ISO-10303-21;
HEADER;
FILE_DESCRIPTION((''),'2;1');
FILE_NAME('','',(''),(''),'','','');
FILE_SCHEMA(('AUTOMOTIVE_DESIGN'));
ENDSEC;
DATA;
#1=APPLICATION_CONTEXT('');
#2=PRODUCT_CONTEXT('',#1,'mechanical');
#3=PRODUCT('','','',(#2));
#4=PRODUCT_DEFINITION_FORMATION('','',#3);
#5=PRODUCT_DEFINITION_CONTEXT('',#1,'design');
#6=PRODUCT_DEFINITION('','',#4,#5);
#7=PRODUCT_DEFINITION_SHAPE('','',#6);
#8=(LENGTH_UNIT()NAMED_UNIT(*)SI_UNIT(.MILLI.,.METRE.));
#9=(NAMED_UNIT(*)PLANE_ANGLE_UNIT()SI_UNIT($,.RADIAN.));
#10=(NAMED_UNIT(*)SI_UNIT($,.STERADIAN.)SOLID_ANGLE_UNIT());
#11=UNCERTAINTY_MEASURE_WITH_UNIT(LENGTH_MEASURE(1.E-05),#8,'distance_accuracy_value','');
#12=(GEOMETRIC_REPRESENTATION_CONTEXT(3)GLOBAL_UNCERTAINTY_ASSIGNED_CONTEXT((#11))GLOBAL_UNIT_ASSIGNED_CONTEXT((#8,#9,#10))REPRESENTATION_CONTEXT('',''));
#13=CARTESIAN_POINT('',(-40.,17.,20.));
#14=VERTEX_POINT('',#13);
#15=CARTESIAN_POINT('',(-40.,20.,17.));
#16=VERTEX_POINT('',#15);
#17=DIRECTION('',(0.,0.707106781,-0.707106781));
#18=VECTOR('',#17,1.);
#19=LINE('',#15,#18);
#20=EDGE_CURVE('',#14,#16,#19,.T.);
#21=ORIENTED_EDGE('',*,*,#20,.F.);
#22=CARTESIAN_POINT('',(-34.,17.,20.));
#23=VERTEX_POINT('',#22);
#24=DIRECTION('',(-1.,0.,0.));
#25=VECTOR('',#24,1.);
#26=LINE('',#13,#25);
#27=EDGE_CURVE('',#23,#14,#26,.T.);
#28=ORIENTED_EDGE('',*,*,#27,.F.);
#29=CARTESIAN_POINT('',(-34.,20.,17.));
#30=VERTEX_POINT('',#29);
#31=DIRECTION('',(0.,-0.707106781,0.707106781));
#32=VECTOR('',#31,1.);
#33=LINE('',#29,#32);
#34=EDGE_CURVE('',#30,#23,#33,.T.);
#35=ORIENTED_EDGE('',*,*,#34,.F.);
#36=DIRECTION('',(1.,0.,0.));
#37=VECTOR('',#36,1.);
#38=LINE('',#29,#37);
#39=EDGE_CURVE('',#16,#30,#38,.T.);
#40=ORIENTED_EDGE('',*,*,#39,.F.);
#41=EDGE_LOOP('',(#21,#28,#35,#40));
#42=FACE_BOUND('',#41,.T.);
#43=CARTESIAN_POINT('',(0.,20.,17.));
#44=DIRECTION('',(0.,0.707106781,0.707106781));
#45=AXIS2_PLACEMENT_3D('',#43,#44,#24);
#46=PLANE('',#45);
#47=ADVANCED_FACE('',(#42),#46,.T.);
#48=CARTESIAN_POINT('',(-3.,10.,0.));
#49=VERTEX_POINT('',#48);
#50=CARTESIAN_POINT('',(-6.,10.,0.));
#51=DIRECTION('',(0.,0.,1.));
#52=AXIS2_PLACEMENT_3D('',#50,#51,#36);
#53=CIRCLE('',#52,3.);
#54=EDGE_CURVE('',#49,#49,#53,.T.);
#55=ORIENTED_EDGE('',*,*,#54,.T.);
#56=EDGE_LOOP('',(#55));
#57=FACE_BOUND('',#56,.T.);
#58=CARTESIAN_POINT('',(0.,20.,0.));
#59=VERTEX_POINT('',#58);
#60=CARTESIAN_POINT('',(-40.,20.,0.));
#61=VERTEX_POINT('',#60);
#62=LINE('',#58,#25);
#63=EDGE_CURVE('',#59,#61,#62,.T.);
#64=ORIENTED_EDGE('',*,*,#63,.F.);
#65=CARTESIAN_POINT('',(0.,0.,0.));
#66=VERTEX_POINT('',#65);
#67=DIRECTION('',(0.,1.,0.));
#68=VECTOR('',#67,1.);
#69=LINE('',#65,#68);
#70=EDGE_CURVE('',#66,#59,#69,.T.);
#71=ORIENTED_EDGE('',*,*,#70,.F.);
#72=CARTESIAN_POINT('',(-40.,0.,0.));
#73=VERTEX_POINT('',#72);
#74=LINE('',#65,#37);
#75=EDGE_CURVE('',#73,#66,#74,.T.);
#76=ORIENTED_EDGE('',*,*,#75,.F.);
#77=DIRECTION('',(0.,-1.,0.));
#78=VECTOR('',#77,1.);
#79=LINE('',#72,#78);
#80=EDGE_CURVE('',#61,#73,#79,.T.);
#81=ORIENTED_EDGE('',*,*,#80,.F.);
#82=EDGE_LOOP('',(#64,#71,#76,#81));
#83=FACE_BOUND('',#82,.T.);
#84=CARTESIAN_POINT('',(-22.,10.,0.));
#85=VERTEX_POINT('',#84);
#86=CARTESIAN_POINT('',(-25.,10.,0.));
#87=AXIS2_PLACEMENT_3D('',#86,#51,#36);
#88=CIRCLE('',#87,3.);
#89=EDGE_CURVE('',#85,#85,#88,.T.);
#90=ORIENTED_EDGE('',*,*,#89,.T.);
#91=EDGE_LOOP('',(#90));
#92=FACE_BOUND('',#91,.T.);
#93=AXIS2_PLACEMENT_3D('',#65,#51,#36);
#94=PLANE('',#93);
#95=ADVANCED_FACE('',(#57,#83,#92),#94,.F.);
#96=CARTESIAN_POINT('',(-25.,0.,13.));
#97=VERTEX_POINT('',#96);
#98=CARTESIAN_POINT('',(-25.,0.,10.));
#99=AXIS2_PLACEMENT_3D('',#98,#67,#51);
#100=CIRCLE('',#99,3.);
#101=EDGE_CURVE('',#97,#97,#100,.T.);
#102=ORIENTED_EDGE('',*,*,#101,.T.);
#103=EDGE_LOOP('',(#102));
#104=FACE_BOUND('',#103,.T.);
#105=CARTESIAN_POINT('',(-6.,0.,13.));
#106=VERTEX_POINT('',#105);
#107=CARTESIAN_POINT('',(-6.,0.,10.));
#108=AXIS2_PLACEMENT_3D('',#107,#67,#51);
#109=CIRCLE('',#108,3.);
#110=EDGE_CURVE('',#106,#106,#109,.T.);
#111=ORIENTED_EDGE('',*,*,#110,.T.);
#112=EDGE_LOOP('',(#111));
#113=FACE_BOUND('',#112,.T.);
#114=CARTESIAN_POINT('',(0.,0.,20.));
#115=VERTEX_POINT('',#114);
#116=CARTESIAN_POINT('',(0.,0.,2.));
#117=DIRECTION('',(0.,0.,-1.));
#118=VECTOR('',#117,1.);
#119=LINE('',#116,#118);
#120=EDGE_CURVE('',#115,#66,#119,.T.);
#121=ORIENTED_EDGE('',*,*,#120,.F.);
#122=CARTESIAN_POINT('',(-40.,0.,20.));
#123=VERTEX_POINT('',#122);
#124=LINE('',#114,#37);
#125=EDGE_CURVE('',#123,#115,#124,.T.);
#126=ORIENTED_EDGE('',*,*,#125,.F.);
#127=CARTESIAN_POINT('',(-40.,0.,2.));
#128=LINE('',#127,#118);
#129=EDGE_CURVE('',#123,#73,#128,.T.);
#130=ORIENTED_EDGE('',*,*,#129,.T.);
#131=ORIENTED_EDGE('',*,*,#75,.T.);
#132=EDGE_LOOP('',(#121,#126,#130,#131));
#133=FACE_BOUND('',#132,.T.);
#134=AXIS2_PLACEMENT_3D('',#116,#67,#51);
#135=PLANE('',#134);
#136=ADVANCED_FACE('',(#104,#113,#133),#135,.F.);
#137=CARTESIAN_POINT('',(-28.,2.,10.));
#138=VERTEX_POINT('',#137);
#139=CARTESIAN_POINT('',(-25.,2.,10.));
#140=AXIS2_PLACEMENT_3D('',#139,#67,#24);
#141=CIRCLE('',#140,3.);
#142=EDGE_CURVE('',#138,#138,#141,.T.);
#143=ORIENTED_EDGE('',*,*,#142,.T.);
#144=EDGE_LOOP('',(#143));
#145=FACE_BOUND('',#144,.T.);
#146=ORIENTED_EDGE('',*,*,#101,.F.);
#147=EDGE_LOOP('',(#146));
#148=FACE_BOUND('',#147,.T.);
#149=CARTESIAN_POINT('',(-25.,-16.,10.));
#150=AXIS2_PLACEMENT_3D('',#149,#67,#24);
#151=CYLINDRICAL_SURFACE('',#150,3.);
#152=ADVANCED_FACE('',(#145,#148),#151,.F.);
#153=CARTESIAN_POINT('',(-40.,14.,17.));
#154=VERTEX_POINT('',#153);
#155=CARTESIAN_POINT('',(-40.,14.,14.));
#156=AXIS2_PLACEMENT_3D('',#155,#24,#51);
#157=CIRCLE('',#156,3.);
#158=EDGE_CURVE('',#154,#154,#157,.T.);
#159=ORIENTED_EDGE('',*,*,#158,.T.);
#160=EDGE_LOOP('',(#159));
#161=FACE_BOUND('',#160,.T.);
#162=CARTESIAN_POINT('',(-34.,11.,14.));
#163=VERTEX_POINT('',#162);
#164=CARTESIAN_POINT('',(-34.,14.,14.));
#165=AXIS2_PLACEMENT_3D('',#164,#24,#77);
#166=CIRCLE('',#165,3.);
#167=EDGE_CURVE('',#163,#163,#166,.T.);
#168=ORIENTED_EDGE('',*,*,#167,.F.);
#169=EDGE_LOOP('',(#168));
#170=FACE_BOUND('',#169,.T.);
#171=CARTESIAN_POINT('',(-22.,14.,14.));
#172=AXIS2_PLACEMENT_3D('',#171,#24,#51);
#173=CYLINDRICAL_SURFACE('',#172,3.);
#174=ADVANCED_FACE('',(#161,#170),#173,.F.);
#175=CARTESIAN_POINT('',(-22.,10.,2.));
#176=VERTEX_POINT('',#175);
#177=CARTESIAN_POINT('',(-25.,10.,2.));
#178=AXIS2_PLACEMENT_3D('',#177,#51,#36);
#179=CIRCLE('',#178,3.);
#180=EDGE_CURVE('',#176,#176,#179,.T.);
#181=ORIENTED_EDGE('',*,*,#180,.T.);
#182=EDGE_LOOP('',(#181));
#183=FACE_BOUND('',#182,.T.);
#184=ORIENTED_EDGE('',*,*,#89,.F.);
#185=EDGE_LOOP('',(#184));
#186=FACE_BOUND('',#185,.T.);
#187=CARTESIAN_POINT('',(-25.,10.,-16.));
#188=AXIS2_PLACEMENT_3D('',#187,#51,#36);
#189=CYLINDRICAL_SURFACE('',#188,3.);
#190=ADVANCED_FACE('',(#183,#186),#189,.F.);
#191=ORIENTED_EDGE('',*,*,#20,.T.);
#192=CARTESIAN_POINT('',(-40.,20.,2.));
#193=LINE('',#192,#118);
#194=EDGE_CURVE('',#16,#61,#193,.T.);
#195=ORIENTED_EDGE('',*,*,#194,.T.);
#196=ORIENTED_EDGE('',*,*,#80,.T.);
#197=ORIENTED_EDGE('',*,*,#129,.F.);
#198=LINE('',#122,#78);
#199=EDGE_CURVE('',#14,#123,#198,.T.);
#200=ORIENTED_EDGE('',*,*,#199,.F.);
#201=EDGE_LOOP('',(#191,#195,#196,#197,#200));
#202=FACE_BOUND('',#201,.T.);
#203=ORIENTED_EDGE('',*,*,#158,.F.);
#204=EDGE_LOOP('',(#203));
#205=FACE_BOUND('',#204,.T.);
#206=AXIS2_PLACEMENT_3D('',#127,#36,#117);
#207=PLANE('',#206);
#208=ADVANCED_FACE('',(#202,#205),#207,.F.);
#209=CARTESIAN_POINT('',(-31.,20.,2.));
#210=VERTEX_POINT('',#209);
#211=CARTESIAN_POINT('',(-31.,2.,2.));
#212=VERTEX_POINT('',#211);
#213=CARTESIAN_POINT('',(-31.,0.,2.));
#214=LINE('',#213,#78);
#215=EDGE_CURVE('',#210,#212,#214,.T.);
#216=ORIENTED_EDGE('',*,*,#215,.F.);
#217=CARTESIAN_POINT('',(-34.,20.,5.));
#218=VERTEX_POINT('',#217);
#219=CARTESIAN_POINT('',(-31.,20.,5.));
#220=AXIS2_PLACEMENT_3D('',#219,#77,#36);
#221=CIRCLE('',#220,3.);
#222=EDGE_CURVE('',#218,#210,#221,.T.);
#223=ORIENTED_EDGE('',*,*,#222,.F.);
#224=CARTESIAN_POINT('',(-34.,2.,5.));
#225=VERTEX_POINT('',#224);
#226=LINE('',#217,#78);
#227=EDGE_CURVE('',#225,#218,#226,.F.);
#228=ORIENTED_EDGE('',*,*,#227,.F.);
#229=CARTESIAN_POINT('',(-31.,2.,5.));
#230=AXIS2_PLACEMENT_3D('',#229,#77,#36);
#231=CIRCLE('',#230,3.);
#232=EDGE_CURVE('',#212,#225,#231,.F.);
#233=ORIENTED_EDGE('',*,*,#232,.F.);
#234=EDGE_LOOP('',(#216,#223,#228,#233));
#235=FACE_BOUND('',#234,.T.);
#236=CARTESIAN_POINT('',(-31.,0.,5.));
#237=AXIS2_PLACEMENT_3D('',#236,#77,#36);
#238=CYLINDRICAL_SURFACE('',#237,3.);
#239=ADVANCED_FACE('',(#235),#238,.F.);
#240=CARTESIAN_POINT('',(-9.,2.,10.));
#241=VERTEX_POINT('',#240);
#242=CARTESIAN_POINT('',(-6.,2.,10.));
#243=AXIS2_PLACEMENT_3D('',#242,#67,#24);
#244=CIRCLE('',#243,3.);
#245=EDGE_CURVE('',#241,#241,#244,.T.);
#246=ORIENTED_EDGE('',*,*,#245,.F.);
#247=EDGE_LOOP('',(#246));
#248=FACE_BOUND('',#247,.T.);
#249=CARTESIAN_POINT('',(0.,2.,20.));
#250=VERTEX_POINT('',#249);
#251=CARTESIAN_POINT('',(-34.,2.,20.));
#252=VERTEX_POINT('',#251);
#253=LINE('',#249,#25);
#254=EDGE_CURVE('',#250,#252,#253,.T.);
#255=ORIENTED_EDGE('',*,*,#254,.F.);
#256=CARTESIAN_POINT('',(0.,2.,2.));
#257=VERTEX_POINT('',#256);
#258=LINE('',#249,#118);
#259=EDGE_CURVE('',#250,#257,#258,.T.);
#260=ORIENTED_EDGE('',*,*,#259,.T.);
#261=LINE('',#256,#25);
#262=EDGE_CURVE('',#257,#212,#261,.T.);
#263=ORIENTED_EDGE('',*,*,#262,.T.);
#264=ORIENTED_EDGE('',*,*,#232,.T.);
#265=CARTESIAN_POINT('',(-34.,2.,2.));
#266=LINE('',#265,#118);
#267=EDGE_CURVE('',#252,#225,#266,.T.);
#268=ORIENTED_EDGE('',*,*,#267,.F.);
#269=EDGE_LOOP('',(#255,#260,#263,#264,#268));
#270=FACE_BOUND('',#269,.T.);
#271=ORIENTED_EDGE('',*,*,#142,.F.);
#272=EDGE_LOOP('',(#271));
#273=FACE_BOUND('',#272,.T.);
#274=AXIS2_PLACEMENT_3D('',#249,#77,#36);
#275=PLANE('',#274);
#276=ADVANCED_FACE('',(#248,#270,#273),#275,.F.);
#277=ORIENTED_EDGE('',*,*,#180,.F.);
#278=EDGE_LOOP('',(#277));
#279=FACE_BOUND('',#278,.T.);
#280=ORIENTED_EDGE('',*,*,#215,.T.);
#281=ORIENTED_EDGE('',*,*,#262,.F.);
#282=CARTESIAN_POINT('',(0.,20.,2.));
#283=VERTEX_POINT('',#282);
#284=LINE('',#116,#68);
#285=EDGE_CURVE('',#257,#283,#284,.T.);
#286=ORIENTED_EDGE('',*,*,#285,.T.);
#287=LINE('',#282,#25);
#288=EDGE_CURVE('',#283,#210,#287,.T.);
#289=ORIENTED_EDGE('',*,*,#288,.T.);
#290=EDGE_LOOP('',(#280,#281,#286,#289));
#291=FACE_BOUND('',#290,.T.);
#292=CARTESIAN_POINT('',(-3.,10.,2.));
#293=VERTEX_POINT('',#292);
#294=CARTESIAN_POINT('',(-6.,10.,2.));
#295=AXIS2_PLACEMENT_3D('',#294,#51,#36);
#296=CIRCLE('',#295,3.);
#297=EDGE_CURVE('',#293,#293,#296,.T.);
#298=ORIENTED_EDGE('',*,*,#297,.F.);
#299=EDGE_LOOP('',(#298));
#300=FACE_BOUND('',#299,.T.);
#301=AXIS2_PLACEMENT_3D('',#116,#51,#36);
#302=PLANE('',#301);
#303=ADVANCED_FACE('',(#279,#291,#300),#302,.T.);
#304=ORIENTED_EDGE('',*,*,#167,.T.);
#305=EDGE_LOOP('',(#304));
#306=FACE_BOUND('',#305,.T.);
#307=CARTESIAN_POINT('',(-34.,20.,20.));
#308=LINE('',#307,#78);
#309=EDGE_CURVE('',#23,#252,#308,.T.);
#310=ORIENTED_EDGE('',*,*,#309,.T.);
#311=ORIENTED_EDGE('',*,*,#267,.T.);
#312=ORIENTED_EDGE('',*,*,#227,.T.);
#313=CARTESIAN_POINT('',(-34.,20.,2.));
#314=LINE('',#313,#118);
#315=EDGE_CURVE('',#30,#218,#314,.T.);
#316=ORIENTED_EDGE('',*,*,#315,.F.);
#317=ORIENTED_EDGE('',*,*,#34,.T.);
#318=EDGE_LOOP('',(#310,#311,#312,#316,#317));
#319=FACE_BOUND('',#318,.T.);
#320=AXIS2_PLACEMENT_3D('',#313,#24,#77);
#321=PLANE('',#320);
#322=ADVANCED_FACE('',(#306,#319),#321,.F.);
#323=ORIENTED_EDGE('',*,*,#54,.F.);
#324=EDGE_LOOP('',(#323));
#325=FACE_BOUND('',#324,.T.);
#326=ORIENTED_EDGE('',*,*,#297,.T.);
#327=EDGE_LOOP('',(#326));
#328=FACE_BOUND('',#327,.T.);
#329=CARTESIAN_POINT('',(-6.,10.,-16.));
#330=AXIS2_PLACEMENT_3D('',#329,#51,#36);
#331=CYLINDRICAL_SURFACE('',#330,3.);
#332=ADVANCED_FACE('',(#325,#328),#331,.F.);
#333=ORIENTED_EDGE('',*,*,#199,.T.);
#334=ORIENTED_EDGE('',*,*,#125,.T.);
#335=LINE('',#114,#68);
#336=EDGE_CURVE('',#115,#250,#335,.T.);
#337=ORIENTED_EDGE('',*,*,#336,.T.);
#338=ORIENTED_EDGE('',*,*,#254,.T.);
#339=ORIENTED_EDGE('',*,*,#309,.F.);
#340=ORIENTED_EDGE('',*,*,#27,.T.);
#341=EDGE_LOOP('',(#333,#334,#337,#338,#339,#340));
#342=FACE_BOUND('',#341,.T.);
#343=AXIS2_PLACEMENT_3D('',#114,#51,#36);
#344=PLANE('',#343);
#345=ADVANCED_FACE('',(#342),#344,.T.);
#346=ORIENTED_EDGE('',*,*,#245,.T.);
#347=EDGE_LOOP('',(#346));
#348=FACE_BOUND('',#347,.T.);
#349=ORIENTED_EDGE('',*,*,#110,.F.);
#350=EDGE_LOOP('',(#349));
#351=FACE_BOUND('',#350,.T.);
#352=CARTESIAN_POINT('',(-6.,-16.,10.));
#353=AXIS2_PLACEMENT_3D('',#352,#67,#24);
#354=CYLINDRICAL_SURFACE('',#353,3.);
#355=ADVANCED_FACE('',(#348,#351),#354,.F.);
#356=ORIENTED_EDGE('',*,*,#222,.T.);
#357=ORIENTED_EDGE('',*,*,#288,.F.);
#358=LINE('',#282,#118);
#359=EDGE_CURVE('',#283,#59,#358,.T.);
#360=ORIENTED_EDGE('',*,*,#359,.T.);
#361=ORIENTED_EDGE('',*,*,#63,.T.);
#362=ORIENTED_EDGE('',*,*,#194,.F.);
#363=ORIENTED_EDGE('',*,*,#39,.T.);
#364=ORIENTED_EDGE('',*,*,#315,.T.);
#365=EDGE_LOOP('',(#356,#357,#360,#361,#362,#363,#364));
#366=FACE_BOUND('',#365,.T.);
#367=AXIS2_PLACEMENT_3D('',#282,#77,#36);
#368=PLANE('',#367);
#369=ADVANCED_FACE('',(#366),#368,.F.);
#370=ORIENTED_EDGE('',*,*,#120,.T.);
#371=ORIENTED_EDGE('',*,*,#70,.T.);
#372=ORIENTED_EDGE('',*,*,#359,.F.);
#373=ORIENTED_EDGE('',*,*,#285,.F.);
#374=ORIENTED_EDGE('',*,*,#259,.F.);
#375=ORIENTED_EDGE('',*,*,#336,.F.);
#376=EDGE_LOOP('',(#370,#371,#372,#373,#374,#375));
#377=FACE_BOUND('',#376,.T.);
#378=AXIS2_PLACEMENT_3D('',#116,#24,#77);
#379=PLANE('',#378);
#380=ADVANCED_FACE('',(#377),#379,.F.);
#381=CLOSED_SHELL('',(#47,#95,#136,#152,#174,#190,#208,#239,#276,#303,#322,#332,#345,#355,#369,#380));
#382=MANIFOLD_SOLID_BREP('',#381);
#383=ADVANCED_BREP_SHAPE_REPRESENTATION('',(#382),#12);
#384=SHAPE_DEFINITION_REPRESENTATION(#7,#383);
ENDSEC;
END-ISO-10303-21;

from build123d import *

# Parameters (mm, degrees)
ESQUISSE1_W             = 40
ESQUISSE1_H             = 20
BOSS_EXTRU_1_DEPTH      = 2
ESQUISSE2_W             = 40
ESQUISSE2_H             = 2
BOSS_EXTRU_2_DEPTH      = 18
ESQUISSE3_R             = 3
ENL_V_MAT_EXTRU_1_DEPTH = 18
ESQUISSE4_R             = 3
ENL_V_MAT_EXTRU_2_DEPTH = 18
ESQUISSE5_R             = 3
ENL_V_MAT_EXTRU_3_DEPTH = 18
ESQUISSE6_R             = 3
ENL_V_MAT_EXTRU_4_DEPTH = 18
ESQUISSE7_W             = 6
ESQUISSE7_H             = 18
BOSS_EXTRU_3_DEPTH      = 18
ESQUISSE8_R             = 3
ENL_V_MAT_EXTRU_5_DEPTH = 18
CHANFREIN1_SIZE         = 3
CONG_1_R                = 3


with BuildPart() as part:
    # Esquisse1 → Boss.-Extru.1 (new body)
    with BuildSketch(Plane.XY):
        with Locations((-20, 10)):
            Rectangle(ESQUISSE1_W, ESQUISSE1_H)
    extrude(amount=BOSS_EXTRU_1_DEPTH)

    # Esquisse2 → Boss.-Extru.2 (add)
    with BuildSketch(Plane.XY.offset(2)):
        with Locations((-20, 1)):
            Rectangle(ESQUISSE2_W, ESQUISSE2_H)
    extrude(amount=BOSS_EXTRU_2_DEPTH)

    # Esquisse3 → Enlèv. mat.-Extru.1 (cut)
    with BuildSketch(Plane.XY.offset(2)):
        with Locations((-6, 10)):
            Circle(ESQUISSE3_R)
    extrude(amount=-ENL_V_MAT_EXTRU_1_DEPTH, mode=Mode.SUBTRACT)

    # Esquisse4 → Enlèv. mat.-Extru.2 (cut)
    with BuildSketch(Plane.XY.offset(2)):
        with Locations((-25, 10)):
            Circle(ESQUISSE4_R)
    extrude(amount=-ENL_V_MAT_EXTRU_2_DEPTH, mode=Mode.SUBTRACT)

    # Esquisse5 → Enlèv. mat.-Extru.3 (cut)
    with BuildSketch(Plane(origin=(0, 2, 0), x_dir=(1, 0, 0), z_dir=(0, 1, 0))):
        with Locations(Location((-6, -10, 0), (0, 0, 180))):  # turned: the seam where the file's is
            Circle(ESQUISSE5_R)
    extrude(amount=-ENL_V_MAT_EXTRU_3_DEPTH, mode=Mode.SUBTRACT)

    # Esquisse6 → Enlèv. mat.-Extru.4 (cut)
    with BuildSketch(Plane(origin=(0, 2, 0), x_dir=(1, 0, 0), z_dir=(0, 1, 0))):
        with Locations(Location((-25, -10, 0), (0, 0, 180))):  # turned: the seam where the file's is
            Circle(ESQUISSE6_R)
    extrude(amount=-ENL_V_MAT_EXTRU_4_DEPTH, mode=Mode.SUBTRACT)

    # Esquisse7 → Boss.-Extru.3 (add)
    with BuildSketch(Plane(origin=(0, 2, 0), x_dir=(1, 0, 0), z_dir=(0, 1, 0))):
        with Locations((-37, -11)):
            Rectangle(ESQUISSE7_W, ESQUISSE7_H)
    extrude(amount=BOSS_EXTRU_3_DEPTH)

    # Esquisse8 → Enlèv. mat.-Extru.5 (cut)
    with BuildSketch(Plane.ZY.offset(40)):
        with Locations((14, 14)):
            Circle(ESQUISSE8_R)
    extrude(amount=-ENL_V_MAT_EXTRU_5_DEPTH, mode=Mode.SUBTRACT)

    # Chanfrein1
    chanfrein1_edges = [part.edges().sort_by_distance(p)[0] for p in [
        (-37, 20, 20),
    ]]
    chamfer(chanfrein1_edges, length=CHANFREIN1_SIZE)

    # Congé1
    cong_1_edges = [part.edges().sort_by_distance(p)[0] for p in [
        (-34, 11, 2),
    ]]
    fillet(cong_1_edges, radius=CONG_1_R)


solid = part.part
